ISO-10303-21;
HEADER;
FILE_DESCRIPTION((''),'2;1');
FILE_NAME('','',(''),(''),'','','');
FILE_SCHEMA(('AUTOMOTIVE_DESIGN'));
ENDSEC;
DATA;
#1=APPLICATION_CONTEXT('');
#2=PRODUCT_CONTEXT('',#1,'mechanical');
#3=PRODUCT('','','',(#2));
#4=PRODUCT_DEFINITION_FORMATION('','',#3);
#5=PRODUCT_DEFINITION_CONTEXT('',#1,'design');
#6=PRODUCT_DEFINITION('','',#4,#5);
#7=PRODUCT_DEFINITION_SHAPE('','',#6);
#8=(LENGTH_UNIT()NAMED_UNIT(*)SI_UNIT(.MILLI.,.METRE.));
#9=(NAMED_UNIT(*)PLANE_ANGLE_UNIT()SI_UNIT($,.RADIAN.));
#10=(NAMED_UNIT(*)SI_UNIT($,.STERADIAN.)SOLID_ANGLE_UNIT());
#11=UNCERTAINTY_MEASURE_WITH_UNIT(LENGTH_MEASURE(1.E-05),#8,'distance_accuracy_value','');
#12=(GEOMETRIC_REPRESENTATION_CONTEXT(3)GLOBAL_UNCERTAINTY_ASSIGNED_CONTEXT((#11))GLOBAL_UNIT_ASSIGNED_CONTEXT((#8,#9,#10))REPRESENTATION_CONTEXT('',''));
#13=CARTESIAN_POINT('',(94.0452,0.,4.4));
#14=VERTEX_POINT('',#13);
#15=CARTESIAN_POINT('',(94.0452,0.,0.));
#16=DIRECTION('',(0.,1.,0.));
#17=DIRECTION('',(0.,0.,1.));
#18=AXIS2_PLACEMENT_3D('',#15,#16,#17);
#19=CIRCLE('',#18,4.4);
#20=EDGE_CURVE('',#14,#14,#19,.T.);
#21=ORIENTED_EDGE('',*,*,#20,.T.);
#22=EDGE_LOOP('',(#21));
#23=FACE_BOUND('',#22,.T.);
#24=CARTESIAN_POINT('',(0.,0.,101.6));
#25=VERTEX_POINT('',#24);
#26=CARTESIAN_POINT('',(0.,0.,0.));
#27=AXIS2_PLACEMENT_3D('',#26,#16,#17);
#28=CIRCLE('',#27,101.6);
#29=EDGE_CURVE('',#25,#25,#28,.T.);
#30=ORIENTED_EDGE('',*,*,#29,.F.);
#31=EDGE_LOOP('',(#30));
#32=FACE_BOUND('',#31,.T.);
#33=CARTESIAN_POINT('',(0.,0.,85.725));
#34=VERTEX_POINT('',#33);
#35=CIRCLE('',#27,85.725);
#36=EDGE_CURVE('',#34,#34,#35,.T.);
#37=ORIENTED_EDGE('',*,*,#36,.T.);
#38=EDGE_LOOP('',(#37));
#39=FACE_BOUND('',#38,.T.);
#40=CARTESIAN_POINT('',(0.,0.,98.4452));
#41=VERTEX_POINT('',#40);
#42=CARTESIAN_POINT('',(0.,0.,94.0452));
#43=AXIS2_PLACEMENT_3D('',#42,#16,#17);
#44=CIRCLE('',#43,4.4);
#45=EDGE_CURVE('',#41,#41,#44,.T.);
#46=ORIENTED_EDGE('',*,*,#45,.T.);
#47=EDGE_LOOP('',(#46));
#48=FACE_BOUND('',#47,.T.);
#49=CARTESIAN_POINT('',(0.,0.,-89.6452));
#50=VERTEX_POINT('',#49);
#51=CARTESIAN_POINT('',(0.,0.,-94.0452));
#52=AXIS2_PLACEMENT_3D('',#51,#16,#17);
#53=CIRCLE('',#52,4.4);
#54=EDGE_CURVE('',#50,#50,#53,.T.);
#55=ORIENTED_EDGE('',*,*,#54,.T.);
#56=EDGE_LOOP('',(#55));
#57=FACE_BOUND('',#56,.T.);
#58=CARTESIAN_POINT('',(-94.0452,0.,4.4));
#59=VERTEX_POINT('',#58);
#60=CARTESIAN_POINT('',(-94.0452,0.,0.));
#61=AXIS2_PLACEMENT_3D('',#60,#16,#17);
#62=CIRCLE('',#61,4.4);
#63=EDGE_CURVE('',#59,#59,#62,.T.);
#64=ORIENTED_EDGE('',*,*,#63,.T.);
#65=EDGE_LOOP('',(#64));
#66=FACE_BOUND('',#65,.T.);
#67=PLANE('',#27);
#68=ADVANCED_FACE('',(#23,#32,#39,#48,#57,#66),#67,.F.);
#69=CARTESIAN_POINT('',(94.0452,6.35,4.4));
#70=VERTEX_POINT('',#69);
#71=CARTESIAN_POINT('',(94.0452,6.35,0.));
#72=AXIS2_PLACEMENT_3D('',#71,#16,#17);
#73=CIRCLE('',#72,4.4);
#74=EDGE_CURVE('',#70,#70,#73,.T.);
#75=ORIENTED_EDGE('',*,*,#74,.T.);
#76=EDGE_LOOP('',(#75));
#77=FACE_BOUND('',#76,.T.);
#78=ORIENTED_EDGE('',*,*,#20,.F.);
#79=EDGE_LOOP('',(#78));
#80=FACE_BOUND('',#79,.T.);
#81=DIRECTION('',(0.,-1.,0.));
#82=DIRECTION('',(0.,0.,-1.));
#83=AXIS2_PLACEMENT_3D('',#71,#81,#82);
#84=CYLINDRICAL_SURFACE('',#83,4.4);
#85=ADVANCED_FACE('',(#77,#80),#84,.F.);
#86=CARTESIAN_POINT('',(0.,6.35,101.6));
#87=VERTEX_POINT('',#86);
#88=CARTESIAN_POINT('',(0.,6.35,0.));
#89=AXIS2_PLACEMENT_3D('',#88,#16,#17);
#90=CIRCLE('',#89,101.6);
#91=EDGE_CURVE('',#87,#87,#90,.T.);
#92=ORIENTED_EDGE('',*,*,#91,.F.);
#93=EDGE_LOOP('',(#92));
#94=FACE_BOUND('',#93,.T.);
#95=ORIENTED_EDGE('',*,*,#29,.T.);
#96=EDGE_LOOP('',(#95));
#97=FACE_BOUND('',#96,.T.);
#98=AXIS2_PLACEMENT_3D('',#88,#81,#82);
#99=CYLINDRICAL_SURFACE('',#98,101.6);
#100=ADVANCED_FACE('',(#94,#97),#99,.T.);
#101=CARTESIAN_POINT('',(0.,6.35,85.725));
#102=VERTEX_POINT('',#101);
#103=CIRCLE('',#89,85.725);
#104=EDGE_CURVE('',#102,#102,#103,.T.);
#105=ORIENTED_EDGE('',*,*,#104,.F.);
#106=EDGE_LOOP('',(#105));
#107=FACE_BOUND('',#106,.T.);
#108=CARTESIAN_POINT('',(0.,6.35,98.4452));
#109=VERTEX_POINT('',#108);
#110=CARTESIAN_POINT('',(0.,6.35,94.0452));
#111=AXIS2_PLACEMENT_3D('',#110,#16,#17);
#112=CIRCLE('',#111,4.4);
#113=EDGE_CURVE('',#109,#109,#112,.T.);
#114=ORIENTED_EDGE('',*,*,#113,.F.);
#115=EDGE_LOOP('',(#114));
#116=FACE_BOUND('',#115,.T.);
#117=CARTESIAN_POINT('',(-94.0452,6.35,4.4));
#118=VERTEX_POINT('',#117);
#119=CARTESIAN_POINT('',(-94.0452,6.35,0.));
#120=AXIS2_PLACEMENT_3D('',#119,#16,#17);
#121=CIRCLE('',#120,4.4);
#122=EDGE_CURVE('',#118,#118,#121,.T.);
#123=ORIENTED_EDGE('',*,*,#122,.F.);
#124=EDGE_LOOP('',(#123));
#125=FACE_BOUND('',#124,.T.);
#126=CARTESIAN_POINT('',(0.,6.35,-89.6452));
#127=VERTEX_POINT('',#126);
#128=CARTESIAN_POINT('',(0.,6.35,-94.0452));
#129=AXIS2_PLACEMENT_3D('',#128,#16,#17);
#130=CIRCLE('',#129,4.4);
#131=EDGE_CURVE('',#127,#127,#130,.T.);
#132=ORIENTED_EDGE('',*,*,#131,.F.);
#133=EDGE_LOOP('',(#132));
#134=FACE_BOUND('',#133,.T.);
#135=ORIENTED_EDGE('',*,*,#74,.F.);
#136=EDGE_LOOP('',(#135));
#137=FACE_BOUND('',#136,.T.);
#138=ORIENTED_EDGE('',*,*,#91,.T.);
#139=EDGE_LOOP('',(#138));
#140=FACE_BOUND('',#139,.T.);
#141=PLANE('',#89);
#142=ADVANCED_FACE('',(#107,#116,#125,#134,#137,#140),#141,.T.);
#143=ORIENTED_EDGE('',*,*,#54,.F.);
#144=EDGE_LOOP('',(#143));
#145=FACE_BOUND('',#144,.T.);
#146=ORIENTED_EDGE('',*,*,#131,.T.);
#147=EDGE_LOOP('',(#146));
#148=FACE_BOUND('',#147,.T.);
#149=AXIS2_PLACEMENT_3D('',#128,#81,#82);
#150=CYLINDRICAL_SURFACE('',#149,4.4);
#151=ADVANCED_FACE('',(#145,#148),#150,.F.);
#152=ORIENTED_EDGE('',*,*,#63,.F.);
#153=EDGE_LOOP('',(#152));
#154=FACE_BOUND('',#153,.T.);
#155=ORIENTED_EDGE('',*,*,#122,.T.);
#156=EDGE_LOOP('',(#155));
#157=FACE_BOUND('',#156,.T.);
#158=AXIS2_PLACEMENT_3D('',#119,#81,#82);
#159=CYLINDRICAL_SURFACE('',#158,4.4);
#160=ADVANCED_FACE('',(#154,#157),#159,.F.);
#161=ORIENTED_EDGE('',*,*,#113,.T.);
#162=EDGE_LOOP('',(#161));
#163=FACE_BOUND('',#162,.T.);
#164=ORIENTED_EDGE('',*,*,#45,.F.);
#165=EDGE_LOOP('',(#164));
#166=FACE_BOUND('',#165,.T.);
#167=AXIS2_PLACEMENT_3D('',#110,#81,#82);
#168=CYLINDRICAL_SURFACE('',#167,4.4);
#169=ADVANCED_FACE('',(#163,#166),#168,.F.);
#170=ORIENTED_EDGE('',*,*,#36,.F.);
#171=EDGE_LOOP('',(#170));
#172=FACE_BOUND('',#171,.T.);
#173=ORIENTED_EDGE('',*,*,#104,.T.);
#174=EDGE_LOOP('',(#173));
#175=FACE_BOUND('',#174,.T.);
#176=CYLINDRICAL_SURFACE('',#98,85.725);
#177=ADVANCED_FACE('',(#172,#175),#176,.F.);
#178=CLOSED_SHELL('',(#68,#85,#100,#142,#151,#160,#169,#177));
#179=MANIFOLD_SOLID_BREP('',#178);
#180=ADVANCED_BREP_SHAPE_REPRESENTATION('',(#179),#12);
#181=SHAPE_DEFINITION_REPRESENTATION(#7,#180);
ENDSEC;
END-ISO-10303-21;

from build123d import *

# Parameters (mm, degrees)
SKETCH1_R           = 101.6
SKETCH1_R_2         = 4.399999963
SKETCH1_R_3         = 85.725
BOSS_EXTRUDE1_DEPTH = 6.35


with BuildPart() as part:
    # Sketch1 → Boss-Extrude1 (new body)
    with BuildSketch(Plane(origin=(0, 0, 0), x_dir=(1, 0, 0), z_dir=(0, 1, 0))):
        Circle(SKETCH1_R)
        with Locations((0, -94.0452)):
            Circle(SKETCH1_R_2, mode=Mode.SUBTRACT)
        with Locations((94.0452, 0)):
            Circle(SKETCH1_R_2, mode=Mode.SUBTRACT)
        with Locations((-94.0452, 0)):
            Circle(SKETCH1_R_2, mode=Mode.SUBTRACT)
        Circle(SKETCH1_R_3, mode=Mode.SUBTRACT)
        with Locations((0, 94.0452)):
            Circle(SKETCH1_R_2, mode=Mode.SUBTRACT)
    extrude(amount=BOSS_EXTRUDE1_DEPTH)


solid = part.part
